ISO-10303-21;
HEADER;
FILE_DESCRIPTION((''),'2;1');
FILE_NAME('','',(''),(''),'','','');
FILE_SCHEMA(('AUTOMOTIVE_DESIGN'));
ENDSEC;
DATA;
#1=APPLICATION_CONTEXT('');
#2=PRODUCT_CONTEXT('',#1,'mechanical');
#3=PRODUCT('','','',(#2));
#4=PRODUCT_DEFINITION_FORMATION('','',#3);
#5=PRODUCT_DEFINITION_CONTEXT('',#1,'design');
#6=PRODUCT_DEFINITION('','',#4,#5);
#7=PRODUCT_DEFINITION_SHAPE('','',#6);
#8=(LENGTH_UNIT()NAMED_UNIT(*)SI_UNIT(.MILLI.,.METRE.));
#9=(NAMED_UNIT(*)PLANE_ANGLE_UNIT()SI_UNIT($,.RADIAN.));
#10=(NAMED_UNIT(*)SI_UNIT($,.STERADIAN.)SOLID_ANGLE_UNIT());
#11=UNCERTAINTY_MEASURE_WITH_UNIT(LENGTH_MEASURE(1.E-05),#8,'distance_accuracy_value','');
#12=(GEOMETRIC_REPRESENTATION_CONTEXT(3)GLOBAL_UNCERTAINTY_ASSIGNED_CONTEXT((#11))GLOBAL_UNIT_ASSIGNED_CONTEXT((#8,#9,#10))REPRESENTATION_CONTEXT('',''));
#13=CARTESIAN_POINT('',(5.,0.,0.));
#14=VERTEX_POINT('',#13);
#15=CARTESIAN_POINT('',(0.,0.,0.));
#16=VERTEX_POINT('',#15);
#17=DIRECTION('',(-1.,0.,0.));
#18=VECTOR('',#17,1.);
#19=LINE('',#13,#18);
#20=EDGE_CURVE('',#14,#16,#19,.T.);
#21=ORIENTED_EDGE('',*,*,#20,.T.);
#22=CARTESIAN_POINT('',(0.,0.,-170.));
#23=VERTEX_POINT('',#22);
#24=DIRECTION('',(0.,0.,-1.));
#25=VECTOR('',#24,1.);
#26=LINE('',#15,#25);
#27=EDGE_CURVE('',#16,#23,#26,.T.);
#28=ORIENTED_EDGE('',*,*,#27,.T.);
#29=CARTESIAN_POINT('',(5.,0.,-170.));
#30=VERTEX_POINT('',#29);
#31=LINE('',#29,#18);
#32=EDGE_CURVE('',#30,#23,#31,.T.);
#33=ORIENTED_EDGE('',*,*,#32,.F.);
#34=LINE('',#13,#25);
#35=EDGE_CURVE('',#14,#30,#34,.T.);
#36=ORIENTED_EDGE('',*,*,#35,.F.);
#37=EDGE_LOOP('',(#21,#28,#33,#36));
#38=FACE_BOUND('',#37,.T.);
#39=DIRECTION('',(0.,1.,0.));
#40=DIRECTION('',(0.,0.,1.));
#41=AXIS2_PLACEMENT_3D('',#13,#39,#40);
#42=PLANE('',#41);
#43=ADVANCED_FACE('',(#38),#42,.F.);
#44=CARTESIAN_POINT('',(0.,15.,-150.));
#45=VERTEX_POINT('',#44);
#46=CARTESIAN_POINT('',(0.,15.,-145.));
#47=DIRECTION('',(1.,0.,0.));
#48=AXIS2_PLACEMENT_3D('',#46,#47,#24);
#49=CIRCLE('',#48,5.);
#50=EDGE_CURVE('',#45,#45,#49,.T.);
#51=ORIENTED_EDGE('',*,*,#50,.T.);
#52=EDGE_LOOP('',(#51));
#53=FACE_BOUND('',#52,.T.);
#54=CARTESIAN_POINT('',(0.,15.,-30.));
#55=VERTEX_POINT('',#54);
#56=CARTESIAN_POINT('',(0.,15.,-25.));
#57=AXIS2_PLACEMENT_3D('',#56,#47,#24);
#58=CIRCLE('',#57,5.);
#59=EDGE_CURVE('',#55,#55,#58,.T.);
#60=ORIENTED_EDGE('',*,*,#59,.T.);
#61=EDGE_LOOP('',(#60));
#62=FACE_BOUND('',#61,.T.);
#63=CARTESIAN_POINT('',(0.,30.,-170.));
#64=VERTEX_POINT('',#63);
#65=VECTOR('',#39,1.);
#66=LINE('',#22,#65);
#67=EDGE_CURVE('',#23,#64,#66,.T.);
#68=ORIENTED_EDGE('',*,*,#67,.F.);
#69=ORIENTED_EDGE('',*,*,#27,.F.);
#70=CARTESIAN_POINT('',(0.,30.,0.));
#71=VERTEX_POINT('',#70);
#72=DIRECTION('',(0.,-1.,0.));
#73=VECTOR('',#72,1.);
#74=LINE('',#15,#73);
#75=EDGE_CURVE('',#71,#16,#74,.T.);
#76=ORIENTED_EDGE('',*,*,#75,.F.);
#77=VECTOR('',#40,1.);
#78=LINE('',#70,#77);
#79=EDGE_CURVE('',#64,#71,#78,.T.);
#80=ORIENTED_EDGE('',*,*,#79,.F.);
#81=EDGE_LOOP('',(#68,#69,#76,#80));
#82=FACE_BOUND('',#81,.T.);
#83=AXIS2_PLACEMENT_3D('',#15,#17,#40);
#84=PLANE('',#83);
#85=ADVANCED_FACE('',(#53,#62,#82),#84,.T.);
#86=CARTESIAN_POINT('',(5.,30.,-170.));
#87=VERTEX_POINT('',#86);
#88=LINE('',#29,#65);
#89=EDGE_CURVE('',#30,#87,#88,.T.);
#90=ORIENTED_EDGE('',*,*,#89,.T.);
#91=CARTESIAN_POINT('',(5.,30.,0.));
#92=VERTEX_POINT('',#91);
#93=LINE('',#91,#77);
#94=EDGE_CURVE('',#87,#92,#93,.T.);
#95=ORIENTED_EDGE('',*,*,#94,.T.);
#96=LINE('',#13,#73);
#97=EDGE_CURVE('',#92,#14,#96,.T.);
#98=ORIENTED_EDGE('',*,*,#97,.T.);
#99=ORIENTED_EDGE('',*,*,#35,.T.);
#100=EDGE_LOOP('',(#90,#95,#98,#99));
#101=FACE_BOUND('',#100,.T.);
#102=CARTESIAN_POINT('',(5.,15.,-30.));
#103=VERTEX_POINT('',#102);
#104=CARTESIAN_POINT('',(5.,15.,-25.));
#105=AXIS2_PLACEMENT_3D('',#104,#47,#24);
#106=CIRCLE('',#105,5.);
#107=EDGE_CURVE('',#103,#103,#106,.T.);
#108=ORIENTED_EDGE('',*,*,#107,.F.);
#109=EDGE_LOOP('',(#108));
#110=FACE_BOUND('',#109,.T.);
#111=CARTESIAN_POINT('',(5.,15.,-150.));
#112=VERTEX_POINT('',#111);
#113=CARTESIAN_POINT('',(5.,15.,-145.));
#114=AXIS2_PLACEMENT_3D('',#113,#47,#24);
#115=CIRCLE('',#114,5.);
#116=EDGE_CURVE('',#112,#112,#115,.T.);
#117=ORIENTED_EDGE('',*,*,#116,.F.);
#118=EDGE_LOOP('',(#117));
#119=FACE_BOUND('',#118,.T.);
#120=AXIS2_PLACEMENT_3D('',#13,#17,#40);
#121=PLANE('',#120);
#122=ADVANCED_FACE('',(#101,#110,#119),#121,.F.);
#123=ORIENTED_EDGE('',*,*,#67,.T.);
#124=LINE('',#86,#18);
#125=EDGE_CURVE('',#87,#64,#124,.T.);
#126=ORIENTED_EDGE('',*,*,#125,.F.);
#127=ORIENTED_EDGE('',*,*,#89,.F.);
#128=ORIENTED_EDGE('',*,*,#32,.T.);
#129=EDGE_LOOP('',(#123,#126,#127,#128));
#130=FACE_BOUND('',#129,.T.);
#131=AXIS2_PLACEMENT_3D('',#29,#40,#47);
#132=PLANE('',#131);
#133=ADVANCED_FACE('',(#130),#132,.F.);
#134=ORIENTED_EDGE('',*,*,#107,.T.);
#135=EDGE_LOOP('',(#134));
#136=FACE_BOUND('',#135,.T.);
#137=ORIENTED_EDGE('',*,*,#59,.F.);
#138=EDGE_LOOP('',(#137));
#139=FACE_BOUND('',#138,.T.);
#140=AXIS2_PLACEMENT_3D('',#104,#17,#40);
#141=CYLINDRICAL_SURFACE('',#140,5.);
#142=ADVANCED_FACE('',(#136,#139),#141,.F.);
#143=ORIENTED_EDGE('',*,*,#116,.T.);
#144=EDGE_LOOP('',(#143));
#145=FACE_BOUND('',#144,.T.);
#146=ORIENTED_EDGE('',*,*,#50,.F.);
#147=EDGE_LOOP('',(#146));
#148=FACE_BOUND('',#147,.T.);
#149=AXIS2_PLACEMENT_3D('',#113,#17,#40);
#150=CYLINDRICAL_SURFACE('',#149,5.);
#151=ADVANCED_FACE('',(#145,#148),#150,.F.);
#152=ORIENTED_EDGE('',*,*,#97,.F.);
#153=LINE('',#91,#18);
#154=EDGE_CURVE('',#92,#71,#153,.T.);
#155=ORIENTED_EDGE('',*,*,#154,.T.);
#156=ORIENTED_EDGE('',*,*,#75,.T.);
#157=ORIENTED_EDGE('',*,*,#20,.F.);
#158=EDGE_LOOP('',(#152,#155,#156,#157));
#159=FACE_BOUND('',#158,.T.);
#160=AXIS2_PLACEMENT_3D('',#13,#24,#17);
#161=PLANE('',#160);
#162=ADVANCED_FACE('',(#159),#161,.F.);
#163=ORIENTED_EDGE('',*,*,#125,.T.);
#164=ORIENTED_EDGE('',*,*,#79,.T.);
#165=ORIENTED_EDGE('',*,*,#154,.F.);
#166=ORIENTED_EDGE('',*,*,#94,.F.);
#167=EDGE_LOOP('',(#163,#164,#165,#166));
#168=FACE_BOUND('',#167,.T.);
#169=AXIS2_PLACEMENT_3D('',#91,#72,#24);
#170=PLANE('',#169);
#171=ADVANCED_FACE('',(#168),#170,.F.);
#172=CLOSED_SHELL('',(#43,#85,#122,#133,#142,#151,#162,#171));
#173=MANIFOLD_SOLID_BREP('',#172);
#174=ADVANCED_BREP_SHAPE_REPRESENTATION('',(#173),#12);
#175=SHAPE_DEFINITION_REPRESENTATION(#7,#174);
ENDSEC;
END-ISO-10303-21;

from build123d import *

# Parameters (mm, degrees)
SKETCH1_W           = 170
SKETCH1_H           = 30
SKETCH1_R           = 5
BOSS_EXTRUDE1_DEPTH = 5


with BuildPart() as part:
    # Sketch1 → Boss-Extrude1 (new body)
    with BuildSketch(Plane(origin=(0, 0, 0), x_dir=(0, 0, -1), z_dir=(1, 0, 0))):
        with Locations((85, 15)):
            Rectangle(SKETCH1_W, SKETCH1_H)
        with Locations((25, 15)):
            Circle(SKETCH1_R, mode=Mode.SUBTRACT)
        with Locations((145, 15)):
            Circle(SKETCH1_R, mode=Mode.SUBTRACT)
    extrude(amount=BOSS_EXTRUDE1_DEPTH)


solid = part.part
